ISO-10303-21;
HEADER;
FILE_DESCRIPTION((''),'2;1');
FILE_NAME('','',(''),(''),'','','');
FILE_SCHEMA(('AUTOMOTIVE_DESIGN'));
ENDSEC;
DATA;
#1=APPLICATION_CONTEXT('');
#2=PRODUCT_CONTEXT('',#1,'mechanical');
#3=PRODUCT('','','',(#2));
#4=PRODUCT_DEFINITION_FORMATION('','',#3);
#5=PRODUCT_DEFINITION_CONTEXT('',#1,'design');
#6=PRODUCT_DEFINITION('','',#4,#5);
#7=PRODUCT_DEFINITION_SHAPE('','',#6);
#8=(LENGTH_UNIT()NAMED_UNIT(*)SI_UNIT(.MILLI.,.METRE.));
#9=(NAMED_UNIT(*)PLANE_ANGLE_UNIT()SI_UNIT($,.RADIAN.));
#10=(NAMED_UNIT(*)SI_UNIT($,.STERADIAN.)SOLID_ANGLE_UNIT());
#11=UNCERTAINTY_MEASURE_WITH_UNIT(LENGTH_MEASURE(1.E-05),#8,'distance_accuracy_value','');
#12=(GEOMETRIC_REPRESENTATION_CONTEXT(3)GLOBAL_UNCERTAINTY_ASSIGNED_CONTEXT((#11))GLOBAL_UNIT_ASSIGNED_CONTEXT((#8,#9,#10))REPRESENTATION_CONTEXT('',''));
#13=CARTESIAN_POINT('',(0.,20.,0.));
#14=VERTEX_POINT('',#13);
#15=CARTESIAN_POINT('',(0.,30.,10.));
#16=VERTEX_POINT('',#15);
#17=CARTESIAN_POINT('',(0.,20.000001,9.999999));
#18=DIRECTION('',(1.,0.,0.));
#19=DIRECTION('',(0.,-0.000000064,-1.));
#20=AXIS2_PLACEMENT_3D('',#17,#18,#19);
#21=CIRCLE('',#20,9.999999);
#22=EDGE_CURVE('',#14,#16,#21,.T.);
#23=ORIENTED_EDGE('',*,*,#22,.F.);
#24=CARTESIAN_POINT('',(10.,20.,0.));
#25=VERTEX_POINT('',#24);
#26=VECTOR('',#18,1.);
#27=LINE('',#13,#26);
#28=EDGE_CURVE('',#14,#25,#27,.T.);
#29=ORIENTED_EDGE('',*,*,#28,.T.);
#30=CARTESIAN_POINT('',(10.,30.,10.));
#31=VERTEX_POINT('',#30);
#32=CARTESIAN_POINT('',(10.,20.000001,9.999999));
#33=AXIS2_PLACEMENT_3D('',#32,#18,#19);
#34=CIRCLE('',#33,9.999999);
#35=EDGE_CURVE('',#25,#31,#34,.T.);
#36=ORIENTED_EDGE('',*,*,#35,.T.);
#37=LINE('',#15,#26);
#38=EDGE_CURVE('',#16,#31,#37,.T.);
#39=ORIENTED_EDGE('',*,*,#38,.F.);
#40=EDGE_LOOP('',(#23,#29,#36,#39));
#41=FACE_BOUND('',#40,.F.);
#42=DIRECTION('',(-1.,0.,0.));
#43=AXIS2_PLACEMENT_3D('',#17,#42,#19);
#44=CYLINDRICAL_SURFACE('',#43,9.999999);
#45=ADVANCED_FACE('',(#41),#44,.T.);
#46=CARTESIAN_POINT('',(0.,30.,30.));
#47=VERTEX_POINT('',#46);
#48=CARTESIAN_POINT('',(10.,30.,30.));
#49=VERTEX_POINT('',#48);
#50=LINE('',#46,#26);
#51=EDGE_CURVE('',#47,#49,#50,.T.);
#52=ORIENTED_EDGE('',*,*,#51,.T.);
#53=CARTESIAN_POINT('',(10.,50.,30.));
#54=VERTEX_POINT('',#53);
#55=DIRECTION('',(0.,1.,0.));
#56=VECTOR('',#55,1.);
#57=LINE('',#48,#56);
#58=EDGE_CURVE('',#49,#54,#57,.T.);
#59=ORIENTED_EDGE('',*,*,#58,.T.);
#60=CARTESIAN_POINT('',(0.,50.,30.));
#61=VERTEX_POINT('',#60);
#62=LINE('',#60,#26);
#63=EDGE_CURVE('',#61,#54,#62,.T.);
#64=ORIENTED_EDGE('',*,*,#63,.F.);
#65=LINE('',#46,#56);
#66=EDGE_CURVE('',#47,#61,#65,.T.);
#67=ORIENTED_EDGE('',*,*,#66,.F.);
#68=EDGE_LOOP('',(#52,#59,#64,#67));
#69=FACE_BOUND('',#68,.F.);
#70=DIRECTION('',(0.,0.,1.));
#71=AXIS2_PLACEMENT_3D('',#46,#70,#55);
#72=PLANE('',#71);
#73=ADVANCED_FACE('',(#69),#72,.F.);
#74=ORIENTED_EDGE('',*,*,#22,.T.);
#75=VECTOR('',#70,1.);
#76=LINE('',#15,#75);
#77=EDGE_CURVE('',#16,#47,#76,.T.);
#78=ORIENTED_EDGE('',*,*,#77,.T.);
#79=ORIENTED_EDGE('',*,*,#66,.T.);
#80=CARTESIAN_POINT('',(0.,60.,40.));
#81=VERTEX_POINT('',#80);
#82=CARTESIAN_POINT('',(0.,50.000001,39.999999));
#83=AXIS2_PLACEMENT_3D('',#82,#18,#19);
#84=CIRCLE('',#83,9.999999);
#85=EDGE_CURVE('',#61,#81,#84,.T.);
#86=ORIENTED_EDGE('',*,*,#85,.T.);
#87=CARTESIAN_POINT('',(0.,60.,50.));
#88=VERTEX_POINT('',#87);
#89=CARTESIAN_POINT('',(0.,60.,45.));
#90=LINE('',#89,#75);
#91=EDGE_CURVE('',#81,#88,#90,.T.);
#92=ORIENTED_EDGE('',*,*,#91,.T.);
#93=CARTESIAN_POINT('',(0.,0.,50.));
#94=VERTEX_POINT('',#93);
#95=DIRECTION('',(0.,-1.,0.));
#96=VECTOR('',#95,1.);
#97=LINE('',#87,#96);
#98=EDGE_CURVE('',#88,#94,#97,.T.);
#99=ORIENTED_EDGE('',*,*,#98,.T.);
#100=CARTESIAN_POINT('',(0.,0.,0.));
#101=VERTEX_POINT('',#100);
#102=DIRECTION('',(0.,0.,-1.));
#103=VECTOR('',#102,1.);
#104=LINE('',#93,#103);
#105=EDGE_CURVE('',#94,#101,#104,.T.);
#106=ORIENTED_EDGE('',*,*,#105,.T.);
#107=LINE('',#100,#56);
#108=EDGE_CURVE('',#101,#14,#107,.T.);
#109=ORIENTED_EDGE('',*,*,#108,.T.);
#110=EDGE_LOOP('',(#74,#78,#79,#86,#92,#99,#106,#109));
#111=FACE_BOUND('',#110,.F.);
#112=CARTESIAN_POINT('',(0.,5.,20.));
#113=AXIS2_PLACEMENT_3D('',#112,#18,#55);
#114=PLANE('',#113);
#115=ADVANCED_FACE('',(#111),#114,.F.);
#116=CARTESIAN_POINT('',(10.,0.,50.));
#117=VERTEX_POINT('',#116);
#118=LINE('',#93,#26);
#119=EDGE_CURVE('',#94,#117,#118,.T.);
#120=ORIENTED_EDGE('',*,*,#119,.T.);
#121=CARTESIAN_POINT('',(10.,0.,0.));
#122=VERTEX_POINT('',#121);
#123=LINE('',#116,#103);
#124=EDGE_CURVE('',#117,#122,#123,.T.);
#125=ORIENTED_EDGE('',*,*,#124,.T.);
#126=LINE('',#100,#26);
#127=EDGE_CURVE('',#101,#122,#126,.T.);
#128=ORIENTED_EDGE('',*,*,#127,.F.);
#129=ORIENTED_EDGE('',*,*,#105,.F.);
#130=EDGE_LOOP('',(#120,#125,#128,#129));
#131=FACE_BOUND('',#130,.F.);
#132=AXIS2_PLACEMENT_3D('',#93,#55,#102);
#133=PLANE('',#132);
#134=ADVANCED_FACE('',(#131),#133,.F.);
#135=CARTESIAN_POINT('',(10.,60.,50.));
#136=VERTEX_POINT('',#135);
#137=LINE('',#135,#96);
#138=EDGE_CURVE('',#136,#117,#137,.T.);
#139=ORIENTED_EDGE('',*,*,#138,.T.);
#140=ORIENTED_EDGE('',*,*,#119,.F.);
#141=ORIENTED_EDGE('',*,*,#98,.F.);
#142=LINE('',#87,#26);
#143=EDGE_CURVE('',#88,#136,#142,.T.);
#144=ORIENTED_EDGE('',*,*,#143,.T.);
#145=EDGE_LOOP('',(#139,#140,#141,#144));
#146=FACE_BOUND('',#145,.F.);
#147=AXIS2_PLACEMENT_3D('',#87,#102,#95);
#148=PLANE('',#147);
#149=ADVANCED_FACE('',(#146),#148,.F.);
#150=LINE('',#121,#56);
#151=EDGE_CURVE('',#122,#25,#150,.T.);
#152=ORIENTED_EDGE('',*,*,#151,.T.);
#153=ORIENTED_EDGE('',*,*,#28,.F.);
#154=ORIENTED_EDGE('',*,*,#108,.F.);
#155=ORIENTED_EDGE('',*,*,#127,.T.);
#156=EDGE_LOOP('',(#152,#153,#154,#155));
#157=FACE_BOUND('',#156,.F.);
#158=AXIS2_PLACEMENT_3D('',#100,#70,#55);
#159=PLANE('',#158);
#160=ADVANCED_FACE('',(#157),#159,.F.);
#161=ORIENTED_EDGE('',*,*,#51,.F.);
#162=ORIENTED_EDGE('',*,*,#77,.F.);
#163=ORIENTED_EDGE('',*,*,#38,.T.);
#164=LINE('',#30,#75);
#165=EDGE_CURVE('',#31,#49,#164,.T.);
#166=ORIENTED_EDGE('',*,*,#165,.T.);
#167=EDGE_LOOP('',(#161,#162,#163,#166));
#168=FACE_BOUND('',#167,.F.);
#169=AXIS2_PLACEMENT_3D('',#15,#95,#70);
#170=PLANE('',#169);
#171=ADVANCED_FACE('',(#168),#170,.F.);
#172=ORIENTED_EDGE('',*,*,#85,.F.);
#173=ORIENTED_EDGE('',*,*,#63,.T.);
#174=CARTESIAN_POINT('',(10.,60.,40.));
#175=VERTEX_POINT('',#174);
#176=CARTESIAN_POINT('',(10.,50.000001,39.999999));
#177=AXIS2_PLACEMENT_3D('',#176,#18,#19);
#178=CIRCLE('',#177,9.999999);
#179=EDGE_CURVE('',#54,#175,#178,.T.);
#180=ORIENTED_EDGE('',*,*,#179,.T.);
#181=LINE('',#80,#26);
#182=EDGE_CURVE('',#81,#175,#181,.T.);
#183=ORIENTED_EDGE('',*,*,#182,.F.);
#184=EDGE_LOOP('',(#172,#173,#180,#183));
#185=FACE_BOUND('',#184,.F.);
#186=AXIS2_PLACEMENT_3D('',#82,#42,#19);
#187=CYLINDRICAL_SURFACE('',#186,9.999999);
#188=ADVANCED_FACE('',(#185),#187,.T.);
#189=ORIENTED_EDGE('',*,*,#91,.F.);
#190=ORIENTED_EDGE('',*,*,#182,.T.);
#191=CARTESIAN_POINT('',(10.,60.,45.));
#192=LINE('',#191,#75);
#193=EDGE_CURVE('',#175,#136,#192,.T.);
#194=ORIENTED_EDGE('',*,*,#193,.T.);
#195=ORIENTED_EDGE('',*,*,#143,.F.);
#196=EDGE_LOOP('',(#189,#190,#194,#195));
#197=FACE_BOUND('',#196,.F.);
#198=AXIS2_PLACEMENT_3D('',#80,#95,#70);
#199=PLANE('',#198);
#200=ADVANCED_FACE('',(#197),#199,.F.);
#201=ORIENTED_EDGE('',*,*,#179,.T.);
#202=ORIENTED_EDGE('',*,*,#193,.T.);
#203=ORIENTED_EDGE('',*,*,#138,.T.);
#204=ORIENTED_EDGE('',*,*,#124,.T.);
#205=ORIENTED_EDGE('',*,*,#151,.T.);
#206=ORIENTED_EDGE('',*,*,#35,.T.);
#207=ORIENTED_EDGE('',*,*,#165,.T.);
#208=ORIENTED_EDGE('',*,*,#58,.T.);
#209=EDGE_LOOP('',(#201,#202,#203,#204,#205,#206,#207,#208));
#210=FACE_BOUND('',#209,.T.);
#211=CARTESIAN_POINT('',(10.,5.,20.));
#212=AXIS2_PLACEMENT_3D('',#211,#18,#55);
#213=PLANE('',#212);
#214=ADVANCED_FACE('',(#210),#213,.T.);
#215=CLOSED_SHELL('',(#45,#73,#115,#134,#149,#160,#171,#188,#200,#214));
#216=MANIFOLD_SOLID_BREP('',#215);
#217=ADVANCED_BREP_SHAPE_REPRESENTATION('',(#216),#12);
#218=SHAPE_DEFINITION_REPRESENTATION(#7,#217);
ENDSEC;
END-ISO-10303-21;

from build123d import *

# Parameters (mm, degrees)
F0_W     = 10
F0_H     = 40
F0_H_2   = 10
F0_W_2   = 30
F1_DEPTH = 10


with BuildPart() as f1:
    # F0 (on Right) → F1 (new body)
    with BuildSketch(Plane.YZ):
        with Locations((5, 20)):
            Rectangle(F0_W, F0_H)
        with Locations((55, 45)):
            Rectangle(F0_W, F0_H_2)
        Polygon((0, 50), (0, 40), (10, 40), (20, 40), (20, 50), align=None)
        with Locations((35, 45)):
            Rectangle(F0_W_2, F0_H_2)
        with BuildLine():
            Line((10, 40), (10, 0))
            Line((10, 0), (20, 0))
            ThreePointArc((20, 0), (27.071068, 2.928932), (30, 10))
            Line((30, 10), (30, 30))
            Line((30, 30), (40, 30))
            Line((40, 30), (50, 30))
            ThreePointArc((50, 30), (57.071068, 32.928932), (60, 40))
            Line((60, 40), (50, 40))
            Line((50, 40), (20, 40))
            Line((20, 40), (10, 40))
        make_face()
    extrude(amount=F1_DEPTH)


solid = f1.part
